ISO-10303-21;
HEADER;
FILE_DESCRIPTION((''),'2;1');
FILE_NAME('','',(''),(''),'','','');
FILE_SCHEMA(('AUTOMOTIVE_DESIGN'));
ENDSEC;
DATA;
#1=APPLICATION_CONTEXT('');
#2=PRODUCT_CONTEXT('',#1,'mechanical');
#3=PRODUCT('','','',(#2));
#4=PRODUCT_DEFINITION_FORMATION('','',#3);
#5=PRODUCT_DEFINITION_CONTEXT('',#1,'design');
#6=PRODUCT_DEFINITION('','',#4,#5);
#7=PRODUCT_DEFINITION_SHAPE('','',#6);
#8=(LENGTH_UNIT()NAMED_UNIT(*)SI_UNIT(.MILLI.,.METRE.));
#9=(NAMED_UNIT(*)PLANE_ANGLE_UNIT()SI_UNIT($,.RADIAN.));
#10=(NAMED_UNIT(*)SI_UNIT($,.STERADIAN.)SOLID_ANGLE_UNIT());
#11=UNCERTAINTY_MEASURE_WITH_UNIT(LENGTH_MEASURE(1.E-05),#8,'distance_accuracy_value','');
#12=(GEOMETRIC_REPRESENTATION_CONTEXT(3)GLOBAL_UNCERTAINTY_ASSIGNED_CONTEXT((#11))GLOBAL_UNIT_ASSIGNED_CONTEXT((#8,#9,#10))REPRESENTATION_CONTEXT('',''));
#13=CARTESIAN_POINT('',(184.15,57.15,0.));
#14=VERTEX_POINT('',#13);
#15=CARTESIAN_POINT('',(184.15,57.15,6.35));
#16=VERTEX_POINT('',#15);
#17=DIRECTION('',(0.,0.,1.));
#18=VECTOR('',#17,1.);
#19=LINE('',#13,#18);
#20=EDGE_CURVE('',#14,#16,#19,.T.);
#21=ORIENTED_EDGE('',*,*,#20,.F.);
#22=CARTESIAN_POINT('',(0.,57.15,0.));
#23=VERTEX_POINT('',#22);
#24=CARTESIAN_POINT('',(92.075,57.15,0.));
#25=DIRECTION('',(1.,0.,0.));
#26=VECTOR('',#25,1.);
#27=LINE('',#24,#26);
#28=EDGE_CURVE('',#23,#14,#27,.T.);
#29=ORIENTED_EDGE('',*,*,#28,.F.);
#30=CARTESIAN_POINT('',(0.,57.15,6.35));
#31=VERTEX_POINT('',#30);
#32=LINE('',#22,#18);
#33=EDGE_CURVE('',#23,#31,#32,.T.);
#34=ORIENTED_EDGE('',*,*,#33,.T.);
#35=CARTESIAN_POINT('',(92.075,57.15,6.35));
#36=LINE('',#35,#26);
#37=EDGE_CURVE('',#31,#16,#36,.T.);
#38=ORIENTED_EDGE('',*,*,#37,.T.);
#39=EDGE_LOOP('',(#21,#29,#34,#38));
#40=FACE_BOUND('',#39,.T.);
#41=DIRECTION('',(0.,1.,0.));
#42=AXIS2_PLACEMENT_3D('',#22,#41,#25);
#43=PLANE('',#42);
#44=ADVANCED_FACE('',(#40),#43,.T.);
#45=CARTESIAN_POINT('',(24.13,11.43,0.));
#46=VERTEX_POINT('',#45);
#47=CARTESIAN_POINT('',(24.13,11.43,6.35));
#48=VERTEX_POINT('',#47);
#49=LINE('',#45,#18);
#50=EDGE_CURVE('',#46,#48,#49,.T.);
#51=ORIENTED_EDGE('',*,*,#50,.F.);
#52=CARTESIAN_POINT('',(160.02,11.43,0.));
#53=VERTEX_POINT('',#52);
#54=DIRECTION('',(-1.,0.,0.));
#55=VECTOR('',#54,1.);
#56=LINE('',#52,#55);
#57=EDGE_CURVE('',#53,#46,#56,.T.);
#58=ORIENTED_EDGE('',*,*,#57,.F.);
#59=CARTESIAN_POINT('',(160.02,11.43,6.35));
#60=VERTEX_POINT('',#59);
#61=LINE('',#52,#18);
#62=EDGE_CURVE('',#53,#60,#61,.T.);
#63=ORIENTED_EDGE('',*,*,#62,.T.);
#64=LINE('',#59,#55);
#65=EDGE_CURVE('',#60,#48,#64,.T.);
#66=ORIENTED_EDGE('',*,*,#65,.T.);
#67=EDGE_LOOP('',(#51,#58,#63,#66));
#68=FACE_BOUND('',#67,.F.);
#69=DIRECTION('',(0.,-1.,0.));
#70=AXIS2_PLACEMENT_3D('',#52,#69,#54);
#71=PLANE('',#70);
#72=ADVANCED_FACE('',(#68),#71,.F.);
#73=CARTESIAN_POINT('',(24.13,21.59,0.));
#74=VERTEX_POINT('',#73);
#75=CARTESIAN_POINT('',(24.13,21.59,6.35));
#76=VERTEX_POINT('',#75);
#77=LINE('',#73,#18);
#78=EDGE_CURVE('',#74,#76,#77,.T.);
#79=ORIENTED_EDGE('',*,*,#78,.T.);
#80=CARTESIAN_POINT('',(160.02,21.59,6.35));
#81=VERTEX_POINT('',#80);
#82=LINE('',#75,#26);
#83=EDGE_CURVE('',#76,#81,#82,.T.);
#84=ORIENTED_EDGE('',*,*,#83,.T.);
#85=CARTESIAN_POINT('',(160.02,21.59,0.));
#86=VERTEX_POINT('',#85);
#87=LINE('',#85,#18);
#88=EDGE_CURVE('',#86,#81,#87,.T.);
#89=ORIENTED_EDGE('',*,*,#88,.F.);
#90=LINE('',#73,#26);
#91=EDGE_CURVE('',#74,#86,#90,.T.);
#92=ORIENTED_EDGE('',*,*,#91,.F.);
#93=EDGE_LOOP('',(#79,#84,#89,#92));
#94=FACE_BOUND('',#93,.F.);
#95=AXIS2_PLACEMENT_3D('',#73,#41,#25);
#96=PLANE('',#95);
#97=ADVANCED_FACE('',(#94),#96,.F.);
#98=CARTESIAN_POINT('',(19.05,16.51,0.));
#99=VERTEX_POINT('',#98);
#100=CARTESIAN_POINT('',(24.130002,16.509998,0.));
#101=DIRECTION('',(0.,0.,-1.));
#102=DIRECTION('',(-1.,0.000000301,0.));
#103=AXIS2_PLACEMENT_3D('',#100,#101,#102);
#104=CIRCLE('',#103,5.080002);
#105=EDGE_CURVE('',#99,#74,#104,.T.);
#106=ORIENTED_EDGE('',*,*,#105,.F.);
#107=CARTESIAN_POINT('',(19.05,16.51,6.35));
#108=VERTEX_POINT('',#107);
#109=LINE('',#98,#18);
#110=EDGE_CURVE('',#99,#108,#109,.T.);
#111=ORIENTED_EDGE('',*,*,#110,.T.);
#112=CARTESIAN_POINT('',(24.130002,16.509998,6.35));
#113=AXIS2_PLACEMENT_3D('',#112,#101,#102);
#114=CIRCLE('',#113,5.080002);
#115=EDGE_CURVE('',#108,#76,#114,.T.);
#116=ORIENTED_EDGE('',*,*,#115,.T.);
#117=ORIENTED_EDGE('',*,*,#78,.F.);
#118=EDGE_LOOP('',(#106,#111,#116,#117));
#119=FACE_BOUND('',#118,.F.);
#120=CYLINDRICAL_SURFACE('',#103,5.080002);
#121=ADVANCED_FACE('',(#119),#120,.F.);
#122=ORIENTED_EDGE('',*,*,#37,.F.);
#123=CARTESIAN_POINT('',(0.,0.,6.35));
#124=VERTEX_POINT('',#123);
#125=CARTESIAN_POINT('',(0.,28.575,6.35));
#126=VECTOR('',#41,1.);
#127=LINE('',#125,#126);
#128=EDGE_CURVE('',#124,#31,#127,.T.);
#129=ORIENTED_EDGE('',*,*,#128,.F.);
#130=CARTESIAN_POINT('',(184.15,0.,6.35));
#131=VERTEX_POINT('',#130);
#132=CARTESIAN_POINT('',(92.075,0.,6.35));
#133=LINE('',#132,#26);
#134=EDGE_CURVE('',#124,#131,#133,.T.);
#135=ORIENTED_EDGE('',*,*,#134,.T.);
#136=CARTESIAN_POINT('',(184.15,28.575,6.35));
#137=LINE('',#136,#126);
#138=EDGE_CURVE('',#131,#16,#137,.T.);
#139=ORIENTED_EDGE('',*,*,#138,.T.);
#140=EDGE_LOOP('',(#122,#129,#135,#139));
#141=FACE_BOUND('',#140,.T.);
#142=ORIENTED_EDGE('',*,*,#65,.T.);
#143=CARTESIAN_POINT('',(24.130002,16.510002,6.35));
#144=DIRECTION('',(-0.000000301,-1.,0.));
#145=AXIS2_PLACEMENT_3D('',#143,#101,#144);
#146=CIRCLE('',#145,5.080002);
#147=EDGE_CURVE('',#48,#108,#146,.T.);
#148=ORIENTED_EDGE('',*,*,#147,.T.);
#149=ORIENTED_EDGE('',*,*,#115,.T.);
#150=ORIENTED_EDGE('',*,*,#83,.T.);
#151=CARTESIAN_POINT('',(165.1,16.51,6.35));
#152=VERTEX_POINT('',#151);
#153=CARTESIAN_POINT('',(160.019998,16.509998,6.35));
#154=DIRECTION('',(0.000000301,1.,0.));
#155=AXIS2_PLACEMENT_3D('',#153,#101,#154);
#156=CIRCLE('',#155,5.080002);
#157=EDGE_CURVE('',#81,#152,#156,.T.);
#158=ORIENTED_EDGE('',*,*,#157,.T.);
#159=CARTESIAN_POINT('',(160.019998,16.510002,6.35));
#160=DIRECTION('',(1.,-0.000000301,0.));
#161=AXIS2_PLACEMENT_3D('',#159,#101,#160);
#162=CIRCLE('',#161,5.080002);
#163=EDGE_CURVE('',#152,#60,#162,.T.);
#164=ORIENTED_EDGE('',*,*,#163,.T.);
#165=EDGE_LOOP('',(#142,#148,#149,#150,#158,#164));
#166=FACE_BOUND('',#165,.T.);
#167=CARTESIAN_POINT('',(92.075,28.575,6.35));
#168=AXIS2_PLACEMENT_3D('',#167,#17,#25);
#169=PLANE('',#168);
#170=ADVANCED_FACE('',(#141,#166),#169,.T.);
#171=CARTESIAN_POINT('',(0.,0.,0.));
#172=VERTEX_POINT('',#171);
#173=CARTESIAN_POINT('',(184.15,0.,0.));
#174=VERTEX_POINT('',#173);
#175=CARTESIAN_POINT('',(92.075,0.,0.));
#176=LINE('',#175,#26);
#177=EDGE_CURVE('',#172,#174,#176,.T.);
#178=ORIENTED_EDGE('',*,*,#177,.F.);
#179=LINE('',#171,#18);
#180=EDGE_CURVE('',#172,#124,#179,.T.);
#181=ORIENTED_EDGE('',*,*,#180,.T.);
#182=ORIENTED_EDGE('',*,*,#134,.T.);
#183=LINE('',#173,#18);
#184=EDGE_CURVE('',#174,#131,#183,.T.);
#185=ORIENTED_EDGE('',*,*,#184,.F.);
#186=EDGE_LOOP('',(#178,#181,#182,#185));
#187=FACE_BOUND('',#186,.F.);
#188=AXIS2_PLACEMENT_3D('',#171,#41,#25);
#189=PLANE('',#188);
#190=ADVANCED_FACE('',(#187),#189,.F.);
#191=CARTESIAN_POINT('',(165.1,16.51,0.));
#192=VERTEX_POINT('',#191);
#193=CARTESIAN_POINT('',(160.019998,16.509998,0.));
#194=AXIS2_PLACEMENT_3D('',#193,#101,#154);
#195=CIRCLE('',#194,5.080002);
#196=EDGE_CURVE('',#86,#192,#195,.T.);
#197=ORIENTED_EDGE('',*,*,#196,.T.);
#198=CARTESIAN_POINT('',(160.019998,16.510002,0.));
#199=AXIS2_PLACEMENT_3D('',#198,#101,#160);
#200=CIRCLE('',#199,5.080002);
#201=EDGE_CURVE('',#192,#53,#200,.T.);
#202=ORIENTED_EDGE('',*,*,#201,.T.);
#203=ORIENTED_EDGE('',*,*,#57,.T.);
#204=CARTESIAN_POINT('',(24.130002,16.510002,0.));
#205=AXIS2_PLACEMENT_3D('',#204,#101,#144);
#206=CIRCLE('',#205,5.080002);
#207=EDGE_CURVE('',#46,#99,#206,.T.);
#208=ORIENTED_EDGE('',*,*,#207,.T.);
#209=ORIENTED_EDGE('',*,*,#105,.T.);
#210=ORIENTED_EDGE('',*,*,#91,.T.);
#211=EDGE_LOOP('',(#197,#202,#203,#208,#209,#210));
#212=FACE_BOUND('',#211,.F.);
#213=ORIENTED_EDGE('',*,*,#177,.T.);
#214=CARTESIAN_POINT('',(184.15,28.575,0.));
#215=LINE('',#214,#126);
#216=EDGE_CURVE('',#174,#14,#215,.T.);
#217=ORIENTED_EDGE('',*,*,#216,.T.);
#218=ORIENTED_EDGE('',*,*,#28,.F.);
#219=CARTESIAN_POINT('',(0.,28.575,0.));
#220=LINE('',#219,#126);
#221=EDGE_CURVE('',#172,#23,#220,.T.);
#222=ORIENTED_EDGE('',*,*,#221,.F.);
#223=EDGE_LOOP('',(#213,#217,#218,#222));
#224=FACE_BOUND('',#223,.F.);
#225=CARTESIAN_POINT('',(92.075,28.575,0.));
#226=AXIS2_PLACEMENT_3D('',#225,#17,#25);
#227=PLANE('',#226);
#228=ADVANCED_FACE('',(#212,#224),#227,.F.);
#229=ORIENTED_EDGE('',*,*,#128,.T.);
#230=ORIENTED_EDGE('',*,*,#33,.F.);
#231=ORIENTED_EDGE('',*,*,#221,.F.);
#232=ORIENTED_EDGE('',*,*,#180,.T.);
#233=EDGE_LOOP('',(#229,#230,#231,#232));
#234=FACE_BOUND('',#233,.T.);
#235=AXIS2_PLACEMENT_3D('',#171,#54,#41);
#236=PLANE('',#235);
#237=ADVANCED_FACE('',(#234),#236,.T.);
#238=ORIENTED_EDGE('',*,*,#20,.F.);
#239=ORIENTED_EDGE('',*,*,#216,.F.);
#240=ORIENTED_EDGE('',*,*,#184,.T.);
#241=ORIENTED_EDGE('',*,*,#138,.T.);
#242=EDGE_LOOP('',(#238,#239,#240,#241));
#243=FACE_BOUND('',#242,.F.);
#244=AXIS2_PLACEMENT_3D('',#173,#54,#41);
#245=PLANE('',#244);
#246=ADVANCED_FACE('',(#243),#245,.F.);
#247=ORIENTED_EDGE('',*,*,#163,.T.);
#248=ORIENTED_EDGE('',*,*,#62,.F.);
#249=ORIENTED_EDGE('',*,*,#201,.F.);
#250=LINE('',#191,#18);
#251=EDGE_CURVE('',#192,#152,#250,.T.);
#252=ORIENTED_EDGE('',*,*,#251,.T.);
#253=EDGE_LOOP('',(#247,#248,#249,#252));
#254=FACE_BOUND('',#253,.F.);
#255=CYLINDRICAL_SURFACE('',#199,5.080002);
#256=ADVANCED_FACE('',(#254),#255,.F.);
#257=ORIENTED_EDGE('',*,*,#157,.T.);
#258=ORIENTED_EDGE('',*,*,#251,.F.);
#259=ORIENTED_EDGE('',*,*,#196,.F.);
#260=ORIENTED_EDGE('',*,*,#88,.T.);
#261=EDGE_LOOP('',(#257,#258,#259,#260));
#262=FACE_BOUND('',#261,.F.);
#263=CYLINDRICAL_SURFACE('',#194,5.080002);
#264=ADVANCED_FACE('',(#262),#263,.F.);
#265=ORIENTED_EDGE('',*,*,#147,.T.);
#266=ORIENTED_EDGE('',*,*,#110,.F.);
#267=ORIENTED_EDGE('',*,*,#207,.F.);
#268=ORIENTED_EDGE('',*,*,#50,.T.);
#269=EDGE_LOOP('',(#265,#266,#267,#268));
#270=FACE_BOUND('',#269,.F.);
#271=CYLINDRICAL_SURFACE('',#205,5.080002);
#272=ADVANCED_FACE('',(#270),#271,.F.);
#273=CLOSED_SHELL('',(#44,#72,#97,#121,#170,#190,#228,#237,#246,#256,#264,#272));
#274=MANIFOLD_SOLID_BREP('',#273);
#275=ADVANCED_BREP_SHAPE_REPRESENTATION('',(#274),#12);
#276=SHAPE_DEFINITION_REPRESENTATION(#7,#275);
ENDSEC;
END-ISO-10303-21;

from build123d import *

# Parameters (mm, degrees)
F0_W     = 184.15
F0_H     = 57.15
F1_DEPTH = 6.35


with BuildPart() as f1:
    # F0 (on Top) → F1 (new body)
    with BuildSketch(Plane.XY):
        with Locations((92.075, 28.575)):
            Rectangle(F0_W, F0_H)
        with BuildLine():
            Line((160.02, 11.43), (24.13, 11.43))
            ThreePointArc((24.13, 11.43), (20.537898, 12.917898), (19.05, 16.51))
            ThreePointArc((19.05, 16.51), (20.537898, 20.102102), (24.13, 21.59))
            Line((24.13, 21.59), (160.02, 21.59))
            ThreePointArc((160.02, 21.59), (163.612102, 20.102102), (165.1, 16.51))
            ThreePointArc((165.1, 16.51), (163.612102, 12.917898), (160.02, 11.43))
        make_face(mode=Mode.SUBTRACT)
    extrude(amount=F1_DEPTH)


solid = f1.part
